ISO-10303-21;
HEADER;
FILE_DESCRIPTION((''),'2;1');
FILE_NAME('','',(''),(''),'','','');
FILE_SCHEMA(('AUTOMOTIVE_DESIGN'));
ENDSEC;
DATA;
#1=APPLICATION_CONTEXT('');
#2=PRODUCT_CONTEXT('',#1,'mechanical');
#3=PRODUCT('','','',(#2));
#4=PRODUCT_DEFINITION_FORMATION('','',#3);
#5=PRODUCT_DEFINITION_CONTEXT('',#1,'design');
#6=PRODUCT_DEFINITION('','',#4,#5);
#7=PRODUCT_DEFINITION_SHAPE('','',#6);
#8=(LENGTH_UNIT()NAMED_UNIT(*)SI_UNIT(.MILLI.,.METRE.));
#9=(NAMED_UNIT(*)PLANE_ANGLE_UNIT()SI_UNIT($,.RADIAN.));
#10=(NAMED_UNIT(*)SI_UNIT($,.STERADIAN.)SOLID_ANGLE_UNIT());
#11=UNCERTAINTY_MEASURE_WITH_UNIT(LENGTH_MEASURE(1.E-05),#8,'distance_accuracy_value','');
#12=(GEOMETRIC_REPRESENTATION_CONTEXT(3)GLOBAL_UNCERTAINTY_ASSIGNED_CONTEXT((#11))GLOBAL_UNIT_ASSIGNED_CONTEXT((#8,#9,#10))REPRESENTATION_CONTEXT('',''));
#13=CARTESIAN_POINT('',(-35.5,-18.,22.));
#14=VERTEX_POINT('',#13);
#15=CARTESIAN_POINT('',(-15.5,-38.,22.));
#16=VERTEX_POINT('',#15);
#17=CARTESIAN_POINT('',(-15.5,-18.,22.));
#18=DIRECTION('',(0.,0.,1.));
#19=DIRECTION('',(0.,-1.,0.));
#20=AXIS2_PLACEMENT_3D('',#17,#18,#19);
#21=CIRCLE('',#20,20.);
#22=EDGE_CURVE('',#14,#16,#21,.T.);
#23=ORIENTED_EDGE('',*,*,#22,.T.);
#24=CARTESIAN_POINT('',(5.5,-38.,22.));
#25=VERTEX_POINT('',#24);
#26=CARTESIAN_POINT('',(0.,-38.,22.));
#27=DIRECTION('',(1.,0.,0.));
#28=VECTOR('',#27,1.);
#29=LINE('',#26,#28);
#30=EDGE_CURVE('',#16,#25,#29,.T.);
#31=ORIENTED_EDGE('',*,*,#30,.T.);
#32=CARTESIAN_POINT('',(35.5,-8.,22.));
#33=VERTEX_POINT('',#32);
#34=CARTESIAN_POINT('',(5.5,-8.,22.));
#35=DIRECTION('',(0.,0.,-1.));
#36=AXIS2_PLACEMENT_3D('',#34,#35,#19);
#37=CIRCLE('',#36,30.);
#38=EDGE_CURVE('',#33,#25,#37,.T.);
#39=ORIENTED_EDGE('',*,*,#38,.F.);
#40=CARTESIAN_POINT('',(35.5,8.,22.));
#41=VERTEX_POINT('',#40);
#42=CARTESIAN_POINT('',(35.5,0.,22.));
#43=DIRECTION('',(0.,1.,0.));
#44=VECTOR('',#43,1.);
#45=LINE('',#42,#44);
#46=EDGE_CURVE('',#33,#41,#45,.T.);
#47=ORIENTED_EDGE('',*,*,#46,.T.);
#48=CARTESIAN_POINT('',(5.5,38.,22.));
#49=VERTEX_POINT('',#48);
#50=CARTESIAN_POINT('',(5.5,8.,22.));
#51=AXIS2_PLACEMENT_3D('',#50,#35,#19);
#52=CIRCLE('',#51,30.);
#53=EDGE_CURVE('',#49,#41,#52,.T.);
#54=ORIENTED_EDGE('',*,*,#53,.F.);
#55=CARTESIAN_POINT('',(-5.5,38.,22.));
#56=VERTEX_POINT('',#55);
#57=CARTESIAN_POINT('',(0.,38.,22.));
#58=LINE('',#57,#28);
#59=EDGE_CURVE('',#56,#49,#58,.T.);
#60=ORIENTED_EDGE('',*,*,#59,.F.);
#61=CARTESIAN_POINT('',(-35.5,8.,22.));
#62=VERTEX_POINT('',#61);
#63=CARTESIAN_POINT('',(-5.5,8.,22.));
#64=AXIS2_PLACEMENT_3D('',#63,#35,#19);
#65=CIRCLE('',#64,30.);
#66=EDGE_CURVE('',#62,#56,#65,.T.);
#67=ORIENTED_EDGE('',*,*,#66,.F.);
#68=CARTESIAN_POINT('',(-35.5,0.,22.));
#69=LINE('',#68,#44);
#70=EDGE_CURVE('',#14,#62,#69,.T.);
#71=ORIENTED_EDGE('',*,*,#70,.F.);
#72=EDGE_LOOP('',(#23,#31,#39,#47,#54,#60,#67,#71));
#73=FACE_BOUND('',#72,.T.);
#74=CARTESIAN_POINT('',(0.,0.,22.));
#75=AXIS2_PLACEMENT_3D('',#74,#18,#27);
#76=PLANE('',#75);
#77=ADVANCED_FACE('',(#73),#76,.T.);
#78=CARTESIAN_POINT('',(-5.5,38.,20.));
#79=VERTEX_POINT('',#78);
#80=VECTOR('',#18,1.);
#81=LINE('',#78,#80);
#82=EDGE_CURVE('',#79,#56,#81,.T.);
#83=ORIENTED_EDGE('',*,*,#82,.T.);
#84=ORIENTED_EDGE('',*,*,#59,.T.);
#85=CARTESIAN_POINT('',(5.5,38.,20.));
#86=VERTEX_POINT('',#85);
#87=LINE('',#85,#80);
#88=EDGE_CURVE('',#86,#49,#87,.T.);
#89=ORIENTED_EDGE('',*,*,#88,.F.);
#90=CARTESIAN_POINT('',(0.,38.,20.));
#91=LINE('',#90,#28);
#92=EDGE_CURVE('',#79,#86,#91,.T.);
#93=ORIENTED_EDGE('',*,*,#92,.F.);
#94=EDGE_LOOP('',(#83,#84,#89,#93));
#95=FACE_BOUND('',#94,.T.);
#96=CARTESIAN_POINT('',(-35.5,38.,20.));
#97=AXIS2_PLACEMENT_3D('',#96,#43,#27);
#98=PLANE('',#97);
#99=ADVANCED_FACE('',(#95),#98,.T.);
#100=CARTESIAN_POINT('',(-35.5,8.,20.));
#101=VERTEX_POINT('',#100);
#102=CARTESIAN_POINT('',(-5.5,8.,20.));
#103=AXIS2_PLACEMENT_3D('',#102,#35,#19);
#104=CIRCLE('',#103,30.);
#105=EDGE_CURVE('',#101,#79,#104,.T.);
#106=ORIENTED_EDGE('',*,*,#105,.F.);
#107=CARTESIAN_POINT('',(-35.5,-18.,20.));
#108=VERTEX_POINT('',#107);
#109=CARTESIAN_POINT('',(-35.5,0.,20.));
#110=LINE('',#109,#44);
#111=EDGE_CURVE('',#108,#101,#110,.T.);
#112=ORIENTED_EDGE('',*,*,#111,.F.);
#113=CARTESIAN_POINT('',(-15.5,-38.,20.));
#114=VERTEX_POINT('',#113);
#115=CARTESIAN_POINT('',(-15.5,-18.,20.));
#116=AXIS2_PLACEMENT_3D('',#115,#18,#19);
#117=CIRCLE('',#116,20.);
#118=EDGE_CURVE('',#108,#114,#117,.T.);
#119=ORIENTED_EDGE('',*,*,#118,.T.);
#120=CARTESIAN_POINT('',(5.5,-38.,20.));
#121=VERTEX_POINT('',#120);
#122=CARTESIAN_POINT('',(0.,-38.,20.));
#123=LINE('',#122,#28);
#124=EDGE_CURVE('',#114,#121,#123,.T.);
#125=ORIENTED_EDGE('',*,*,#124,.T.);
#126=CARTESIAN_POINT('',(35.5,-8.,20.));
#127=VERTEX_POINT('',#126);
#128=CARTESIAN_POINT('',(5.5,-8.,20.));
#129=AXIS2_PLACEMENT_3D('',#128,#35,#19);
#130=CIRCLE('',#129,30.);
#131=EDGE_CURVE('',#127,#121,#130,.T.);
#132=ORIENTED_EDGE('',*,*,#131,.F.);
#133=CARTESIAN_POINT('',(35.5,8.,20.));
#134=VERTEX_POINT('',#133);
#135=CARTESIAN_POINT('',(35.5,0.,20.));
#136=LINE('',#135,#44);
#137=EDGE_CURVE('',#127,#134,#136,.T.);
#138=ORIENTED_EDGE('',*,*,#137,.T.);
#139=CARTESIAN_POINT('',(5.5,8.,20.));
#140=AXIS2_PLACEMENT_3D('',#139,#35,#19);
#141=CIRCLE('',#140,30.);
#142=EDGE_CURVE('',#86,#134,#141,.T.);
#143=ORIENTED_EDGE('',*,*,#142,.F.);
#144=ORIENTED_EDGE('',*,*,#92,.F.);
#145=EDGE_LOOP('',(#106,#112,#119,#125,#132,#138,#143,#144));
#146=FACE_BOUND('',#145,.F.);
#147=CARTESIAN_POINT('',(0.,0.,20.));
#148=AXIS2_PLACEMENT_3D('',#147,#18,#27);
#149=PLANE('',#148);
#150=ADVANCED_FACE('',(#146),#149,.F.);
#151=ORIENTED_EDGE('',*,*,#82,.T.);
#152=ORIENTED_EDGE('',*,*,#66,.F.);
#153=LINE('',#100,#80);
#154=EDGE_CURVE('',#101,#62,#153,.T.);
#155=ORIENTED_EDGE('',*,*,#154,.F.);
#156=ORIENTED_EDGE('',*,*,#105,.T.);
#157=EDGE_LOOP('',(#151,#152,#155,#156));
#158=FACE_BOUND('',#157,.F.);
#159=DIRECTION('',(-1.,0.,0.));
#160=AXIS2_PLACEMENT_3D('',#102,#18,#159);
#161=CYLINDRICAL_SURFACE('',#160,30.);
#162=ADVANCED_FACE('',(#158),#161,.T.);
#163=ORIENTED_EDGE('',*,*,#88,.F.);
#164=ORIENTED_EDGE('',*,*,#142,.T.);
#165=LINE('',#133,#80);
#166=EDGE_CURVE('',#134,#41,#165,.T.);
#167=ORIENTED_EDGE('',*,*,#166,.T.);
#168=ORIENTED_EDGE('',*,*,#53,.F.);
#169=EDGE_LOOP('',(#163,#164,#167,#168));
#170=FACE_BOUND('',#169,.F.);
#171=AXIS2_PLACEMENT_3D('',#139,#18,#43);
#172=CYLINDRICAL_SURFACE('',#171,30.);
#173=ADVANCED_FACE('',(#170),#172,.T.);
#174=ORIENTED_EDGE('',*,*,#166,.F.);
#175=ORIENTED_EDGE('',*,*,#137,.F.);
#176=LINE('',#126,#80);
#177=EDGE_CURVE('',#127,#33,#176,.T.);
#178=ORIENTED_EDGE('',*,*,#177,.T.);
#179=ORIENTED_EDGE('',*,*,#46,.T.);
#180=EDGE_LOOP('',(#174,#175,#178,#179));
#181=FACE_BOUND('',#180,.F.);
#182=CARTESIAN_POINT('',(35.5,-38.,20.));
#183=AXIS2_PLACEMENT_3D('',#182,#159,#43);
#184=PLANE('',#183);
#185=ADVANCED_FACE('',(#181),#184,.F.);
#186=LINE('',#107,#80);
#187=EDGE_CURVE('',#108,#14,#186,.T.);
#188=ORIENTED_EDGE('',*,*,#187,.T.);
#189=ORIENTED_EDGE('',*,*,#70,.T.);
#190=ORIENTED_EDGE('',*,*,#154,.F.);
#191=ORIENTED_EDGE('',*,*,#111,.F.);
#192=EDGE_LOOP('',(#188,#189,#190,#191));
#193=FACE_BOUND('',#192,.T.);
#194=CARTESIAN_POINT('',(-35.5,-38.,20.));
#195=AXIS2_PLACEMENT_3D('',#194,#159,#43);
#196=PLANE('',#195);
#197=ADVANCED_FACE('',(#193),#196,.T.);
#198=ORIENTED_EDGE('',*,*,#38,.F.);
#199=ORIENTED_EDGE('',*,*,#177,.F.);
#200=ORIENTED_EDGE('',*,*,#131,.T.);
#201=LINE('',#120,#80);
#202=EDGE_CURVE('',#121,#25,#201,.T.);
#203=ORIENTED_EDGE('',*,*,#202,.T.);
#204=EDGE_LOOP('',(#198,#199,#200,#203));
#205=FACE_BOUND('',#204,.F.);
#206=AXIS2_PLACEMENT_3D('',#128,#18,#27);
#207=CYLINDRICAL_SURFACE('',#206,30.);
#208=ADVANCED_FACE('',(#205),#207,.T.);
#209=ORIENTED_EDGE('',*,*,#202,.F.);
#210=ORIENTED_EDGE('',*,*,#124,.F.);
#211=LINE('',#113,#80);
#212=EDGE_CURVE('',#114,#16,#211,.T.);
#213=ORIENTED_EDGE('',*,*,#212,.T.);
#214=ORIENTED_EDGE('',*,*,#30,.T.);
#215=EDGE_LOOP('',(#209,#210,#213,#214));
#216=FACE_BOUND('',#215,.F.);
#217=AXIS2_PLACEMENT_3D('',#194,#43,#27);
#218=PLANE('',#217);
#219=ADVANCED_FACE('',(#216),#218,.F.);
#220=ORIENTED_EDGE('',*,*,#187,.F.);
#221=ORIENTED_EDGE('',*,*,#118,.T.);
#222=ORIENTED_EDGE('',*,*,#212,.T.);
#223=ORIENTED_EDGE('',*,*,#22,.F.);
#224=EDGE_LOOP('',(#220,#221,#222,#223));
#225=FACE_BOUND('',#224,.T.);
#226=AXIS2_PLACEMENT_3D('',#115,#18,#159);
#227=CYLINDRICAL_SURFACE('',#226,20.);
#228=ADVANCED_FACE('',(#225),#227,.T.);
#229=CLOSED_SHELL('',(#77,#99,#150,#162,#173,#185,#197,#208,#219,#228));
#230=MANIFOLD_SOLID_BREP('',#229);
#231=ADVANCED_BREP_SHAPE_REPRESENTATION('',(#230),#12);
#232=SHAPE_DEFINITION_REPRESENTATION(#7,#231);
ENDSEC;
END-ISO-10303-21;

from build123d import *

# Parameters (mm, degrees)
BOX005_W          = 71
BOX005_H          = 76
BOX005_DEPTH      = 2
FILLET003002012_R = 20
FILLET003002013_R = 30
FILLET003002014_R = 30
FILLET003002015_R = 30


with BuildPart() as part:
    # Box005 → Box005 (new body)
    with BuildSketch(Plane(origin=(-35.5, -38, 20), x_dir=(1, 0, 0), z_dir=(0, 0, 1))):
        with Locations((35.5, 38)):
            Rectangle(BOX005_W, BOX005_H)
    extrude(amount=BOX005_DEPTH)

    # Fillet003002012
    fillet003002012_edges = [part.edges().sort_by_distance(p)[0] for p in [
        (-35.5, -38, 21),
    ]]
    fillet(fillet003002012_edges, radius=FILLET003002012_R)

    # Fillet003002013
    fillet003002013_edges = [part.edges().sort_by_distance(p)[0] for p in [
        (-35.5, 38, 21),
    ]]
    fillet(fillet003002013_edges, radius=FILLET003002013_R)

    # Fillet003002014
    fillet003002014_edges = [part.edges().sort_by_distance(p)[0] for p in [
        (35.5, 38, 21),
    ]]
    fillet(fillet003002014_edges, radius=FILLET003002014_R)

    # Fillet003002015
    fillet003002015_edges = [part.edges().sort_by_distance(p)[0] for p in [
        (35.5, -38, 21),
    ]]
    fillet(fillet003002015_edges, radius=FILLET003002015_R)


solid = part.part
